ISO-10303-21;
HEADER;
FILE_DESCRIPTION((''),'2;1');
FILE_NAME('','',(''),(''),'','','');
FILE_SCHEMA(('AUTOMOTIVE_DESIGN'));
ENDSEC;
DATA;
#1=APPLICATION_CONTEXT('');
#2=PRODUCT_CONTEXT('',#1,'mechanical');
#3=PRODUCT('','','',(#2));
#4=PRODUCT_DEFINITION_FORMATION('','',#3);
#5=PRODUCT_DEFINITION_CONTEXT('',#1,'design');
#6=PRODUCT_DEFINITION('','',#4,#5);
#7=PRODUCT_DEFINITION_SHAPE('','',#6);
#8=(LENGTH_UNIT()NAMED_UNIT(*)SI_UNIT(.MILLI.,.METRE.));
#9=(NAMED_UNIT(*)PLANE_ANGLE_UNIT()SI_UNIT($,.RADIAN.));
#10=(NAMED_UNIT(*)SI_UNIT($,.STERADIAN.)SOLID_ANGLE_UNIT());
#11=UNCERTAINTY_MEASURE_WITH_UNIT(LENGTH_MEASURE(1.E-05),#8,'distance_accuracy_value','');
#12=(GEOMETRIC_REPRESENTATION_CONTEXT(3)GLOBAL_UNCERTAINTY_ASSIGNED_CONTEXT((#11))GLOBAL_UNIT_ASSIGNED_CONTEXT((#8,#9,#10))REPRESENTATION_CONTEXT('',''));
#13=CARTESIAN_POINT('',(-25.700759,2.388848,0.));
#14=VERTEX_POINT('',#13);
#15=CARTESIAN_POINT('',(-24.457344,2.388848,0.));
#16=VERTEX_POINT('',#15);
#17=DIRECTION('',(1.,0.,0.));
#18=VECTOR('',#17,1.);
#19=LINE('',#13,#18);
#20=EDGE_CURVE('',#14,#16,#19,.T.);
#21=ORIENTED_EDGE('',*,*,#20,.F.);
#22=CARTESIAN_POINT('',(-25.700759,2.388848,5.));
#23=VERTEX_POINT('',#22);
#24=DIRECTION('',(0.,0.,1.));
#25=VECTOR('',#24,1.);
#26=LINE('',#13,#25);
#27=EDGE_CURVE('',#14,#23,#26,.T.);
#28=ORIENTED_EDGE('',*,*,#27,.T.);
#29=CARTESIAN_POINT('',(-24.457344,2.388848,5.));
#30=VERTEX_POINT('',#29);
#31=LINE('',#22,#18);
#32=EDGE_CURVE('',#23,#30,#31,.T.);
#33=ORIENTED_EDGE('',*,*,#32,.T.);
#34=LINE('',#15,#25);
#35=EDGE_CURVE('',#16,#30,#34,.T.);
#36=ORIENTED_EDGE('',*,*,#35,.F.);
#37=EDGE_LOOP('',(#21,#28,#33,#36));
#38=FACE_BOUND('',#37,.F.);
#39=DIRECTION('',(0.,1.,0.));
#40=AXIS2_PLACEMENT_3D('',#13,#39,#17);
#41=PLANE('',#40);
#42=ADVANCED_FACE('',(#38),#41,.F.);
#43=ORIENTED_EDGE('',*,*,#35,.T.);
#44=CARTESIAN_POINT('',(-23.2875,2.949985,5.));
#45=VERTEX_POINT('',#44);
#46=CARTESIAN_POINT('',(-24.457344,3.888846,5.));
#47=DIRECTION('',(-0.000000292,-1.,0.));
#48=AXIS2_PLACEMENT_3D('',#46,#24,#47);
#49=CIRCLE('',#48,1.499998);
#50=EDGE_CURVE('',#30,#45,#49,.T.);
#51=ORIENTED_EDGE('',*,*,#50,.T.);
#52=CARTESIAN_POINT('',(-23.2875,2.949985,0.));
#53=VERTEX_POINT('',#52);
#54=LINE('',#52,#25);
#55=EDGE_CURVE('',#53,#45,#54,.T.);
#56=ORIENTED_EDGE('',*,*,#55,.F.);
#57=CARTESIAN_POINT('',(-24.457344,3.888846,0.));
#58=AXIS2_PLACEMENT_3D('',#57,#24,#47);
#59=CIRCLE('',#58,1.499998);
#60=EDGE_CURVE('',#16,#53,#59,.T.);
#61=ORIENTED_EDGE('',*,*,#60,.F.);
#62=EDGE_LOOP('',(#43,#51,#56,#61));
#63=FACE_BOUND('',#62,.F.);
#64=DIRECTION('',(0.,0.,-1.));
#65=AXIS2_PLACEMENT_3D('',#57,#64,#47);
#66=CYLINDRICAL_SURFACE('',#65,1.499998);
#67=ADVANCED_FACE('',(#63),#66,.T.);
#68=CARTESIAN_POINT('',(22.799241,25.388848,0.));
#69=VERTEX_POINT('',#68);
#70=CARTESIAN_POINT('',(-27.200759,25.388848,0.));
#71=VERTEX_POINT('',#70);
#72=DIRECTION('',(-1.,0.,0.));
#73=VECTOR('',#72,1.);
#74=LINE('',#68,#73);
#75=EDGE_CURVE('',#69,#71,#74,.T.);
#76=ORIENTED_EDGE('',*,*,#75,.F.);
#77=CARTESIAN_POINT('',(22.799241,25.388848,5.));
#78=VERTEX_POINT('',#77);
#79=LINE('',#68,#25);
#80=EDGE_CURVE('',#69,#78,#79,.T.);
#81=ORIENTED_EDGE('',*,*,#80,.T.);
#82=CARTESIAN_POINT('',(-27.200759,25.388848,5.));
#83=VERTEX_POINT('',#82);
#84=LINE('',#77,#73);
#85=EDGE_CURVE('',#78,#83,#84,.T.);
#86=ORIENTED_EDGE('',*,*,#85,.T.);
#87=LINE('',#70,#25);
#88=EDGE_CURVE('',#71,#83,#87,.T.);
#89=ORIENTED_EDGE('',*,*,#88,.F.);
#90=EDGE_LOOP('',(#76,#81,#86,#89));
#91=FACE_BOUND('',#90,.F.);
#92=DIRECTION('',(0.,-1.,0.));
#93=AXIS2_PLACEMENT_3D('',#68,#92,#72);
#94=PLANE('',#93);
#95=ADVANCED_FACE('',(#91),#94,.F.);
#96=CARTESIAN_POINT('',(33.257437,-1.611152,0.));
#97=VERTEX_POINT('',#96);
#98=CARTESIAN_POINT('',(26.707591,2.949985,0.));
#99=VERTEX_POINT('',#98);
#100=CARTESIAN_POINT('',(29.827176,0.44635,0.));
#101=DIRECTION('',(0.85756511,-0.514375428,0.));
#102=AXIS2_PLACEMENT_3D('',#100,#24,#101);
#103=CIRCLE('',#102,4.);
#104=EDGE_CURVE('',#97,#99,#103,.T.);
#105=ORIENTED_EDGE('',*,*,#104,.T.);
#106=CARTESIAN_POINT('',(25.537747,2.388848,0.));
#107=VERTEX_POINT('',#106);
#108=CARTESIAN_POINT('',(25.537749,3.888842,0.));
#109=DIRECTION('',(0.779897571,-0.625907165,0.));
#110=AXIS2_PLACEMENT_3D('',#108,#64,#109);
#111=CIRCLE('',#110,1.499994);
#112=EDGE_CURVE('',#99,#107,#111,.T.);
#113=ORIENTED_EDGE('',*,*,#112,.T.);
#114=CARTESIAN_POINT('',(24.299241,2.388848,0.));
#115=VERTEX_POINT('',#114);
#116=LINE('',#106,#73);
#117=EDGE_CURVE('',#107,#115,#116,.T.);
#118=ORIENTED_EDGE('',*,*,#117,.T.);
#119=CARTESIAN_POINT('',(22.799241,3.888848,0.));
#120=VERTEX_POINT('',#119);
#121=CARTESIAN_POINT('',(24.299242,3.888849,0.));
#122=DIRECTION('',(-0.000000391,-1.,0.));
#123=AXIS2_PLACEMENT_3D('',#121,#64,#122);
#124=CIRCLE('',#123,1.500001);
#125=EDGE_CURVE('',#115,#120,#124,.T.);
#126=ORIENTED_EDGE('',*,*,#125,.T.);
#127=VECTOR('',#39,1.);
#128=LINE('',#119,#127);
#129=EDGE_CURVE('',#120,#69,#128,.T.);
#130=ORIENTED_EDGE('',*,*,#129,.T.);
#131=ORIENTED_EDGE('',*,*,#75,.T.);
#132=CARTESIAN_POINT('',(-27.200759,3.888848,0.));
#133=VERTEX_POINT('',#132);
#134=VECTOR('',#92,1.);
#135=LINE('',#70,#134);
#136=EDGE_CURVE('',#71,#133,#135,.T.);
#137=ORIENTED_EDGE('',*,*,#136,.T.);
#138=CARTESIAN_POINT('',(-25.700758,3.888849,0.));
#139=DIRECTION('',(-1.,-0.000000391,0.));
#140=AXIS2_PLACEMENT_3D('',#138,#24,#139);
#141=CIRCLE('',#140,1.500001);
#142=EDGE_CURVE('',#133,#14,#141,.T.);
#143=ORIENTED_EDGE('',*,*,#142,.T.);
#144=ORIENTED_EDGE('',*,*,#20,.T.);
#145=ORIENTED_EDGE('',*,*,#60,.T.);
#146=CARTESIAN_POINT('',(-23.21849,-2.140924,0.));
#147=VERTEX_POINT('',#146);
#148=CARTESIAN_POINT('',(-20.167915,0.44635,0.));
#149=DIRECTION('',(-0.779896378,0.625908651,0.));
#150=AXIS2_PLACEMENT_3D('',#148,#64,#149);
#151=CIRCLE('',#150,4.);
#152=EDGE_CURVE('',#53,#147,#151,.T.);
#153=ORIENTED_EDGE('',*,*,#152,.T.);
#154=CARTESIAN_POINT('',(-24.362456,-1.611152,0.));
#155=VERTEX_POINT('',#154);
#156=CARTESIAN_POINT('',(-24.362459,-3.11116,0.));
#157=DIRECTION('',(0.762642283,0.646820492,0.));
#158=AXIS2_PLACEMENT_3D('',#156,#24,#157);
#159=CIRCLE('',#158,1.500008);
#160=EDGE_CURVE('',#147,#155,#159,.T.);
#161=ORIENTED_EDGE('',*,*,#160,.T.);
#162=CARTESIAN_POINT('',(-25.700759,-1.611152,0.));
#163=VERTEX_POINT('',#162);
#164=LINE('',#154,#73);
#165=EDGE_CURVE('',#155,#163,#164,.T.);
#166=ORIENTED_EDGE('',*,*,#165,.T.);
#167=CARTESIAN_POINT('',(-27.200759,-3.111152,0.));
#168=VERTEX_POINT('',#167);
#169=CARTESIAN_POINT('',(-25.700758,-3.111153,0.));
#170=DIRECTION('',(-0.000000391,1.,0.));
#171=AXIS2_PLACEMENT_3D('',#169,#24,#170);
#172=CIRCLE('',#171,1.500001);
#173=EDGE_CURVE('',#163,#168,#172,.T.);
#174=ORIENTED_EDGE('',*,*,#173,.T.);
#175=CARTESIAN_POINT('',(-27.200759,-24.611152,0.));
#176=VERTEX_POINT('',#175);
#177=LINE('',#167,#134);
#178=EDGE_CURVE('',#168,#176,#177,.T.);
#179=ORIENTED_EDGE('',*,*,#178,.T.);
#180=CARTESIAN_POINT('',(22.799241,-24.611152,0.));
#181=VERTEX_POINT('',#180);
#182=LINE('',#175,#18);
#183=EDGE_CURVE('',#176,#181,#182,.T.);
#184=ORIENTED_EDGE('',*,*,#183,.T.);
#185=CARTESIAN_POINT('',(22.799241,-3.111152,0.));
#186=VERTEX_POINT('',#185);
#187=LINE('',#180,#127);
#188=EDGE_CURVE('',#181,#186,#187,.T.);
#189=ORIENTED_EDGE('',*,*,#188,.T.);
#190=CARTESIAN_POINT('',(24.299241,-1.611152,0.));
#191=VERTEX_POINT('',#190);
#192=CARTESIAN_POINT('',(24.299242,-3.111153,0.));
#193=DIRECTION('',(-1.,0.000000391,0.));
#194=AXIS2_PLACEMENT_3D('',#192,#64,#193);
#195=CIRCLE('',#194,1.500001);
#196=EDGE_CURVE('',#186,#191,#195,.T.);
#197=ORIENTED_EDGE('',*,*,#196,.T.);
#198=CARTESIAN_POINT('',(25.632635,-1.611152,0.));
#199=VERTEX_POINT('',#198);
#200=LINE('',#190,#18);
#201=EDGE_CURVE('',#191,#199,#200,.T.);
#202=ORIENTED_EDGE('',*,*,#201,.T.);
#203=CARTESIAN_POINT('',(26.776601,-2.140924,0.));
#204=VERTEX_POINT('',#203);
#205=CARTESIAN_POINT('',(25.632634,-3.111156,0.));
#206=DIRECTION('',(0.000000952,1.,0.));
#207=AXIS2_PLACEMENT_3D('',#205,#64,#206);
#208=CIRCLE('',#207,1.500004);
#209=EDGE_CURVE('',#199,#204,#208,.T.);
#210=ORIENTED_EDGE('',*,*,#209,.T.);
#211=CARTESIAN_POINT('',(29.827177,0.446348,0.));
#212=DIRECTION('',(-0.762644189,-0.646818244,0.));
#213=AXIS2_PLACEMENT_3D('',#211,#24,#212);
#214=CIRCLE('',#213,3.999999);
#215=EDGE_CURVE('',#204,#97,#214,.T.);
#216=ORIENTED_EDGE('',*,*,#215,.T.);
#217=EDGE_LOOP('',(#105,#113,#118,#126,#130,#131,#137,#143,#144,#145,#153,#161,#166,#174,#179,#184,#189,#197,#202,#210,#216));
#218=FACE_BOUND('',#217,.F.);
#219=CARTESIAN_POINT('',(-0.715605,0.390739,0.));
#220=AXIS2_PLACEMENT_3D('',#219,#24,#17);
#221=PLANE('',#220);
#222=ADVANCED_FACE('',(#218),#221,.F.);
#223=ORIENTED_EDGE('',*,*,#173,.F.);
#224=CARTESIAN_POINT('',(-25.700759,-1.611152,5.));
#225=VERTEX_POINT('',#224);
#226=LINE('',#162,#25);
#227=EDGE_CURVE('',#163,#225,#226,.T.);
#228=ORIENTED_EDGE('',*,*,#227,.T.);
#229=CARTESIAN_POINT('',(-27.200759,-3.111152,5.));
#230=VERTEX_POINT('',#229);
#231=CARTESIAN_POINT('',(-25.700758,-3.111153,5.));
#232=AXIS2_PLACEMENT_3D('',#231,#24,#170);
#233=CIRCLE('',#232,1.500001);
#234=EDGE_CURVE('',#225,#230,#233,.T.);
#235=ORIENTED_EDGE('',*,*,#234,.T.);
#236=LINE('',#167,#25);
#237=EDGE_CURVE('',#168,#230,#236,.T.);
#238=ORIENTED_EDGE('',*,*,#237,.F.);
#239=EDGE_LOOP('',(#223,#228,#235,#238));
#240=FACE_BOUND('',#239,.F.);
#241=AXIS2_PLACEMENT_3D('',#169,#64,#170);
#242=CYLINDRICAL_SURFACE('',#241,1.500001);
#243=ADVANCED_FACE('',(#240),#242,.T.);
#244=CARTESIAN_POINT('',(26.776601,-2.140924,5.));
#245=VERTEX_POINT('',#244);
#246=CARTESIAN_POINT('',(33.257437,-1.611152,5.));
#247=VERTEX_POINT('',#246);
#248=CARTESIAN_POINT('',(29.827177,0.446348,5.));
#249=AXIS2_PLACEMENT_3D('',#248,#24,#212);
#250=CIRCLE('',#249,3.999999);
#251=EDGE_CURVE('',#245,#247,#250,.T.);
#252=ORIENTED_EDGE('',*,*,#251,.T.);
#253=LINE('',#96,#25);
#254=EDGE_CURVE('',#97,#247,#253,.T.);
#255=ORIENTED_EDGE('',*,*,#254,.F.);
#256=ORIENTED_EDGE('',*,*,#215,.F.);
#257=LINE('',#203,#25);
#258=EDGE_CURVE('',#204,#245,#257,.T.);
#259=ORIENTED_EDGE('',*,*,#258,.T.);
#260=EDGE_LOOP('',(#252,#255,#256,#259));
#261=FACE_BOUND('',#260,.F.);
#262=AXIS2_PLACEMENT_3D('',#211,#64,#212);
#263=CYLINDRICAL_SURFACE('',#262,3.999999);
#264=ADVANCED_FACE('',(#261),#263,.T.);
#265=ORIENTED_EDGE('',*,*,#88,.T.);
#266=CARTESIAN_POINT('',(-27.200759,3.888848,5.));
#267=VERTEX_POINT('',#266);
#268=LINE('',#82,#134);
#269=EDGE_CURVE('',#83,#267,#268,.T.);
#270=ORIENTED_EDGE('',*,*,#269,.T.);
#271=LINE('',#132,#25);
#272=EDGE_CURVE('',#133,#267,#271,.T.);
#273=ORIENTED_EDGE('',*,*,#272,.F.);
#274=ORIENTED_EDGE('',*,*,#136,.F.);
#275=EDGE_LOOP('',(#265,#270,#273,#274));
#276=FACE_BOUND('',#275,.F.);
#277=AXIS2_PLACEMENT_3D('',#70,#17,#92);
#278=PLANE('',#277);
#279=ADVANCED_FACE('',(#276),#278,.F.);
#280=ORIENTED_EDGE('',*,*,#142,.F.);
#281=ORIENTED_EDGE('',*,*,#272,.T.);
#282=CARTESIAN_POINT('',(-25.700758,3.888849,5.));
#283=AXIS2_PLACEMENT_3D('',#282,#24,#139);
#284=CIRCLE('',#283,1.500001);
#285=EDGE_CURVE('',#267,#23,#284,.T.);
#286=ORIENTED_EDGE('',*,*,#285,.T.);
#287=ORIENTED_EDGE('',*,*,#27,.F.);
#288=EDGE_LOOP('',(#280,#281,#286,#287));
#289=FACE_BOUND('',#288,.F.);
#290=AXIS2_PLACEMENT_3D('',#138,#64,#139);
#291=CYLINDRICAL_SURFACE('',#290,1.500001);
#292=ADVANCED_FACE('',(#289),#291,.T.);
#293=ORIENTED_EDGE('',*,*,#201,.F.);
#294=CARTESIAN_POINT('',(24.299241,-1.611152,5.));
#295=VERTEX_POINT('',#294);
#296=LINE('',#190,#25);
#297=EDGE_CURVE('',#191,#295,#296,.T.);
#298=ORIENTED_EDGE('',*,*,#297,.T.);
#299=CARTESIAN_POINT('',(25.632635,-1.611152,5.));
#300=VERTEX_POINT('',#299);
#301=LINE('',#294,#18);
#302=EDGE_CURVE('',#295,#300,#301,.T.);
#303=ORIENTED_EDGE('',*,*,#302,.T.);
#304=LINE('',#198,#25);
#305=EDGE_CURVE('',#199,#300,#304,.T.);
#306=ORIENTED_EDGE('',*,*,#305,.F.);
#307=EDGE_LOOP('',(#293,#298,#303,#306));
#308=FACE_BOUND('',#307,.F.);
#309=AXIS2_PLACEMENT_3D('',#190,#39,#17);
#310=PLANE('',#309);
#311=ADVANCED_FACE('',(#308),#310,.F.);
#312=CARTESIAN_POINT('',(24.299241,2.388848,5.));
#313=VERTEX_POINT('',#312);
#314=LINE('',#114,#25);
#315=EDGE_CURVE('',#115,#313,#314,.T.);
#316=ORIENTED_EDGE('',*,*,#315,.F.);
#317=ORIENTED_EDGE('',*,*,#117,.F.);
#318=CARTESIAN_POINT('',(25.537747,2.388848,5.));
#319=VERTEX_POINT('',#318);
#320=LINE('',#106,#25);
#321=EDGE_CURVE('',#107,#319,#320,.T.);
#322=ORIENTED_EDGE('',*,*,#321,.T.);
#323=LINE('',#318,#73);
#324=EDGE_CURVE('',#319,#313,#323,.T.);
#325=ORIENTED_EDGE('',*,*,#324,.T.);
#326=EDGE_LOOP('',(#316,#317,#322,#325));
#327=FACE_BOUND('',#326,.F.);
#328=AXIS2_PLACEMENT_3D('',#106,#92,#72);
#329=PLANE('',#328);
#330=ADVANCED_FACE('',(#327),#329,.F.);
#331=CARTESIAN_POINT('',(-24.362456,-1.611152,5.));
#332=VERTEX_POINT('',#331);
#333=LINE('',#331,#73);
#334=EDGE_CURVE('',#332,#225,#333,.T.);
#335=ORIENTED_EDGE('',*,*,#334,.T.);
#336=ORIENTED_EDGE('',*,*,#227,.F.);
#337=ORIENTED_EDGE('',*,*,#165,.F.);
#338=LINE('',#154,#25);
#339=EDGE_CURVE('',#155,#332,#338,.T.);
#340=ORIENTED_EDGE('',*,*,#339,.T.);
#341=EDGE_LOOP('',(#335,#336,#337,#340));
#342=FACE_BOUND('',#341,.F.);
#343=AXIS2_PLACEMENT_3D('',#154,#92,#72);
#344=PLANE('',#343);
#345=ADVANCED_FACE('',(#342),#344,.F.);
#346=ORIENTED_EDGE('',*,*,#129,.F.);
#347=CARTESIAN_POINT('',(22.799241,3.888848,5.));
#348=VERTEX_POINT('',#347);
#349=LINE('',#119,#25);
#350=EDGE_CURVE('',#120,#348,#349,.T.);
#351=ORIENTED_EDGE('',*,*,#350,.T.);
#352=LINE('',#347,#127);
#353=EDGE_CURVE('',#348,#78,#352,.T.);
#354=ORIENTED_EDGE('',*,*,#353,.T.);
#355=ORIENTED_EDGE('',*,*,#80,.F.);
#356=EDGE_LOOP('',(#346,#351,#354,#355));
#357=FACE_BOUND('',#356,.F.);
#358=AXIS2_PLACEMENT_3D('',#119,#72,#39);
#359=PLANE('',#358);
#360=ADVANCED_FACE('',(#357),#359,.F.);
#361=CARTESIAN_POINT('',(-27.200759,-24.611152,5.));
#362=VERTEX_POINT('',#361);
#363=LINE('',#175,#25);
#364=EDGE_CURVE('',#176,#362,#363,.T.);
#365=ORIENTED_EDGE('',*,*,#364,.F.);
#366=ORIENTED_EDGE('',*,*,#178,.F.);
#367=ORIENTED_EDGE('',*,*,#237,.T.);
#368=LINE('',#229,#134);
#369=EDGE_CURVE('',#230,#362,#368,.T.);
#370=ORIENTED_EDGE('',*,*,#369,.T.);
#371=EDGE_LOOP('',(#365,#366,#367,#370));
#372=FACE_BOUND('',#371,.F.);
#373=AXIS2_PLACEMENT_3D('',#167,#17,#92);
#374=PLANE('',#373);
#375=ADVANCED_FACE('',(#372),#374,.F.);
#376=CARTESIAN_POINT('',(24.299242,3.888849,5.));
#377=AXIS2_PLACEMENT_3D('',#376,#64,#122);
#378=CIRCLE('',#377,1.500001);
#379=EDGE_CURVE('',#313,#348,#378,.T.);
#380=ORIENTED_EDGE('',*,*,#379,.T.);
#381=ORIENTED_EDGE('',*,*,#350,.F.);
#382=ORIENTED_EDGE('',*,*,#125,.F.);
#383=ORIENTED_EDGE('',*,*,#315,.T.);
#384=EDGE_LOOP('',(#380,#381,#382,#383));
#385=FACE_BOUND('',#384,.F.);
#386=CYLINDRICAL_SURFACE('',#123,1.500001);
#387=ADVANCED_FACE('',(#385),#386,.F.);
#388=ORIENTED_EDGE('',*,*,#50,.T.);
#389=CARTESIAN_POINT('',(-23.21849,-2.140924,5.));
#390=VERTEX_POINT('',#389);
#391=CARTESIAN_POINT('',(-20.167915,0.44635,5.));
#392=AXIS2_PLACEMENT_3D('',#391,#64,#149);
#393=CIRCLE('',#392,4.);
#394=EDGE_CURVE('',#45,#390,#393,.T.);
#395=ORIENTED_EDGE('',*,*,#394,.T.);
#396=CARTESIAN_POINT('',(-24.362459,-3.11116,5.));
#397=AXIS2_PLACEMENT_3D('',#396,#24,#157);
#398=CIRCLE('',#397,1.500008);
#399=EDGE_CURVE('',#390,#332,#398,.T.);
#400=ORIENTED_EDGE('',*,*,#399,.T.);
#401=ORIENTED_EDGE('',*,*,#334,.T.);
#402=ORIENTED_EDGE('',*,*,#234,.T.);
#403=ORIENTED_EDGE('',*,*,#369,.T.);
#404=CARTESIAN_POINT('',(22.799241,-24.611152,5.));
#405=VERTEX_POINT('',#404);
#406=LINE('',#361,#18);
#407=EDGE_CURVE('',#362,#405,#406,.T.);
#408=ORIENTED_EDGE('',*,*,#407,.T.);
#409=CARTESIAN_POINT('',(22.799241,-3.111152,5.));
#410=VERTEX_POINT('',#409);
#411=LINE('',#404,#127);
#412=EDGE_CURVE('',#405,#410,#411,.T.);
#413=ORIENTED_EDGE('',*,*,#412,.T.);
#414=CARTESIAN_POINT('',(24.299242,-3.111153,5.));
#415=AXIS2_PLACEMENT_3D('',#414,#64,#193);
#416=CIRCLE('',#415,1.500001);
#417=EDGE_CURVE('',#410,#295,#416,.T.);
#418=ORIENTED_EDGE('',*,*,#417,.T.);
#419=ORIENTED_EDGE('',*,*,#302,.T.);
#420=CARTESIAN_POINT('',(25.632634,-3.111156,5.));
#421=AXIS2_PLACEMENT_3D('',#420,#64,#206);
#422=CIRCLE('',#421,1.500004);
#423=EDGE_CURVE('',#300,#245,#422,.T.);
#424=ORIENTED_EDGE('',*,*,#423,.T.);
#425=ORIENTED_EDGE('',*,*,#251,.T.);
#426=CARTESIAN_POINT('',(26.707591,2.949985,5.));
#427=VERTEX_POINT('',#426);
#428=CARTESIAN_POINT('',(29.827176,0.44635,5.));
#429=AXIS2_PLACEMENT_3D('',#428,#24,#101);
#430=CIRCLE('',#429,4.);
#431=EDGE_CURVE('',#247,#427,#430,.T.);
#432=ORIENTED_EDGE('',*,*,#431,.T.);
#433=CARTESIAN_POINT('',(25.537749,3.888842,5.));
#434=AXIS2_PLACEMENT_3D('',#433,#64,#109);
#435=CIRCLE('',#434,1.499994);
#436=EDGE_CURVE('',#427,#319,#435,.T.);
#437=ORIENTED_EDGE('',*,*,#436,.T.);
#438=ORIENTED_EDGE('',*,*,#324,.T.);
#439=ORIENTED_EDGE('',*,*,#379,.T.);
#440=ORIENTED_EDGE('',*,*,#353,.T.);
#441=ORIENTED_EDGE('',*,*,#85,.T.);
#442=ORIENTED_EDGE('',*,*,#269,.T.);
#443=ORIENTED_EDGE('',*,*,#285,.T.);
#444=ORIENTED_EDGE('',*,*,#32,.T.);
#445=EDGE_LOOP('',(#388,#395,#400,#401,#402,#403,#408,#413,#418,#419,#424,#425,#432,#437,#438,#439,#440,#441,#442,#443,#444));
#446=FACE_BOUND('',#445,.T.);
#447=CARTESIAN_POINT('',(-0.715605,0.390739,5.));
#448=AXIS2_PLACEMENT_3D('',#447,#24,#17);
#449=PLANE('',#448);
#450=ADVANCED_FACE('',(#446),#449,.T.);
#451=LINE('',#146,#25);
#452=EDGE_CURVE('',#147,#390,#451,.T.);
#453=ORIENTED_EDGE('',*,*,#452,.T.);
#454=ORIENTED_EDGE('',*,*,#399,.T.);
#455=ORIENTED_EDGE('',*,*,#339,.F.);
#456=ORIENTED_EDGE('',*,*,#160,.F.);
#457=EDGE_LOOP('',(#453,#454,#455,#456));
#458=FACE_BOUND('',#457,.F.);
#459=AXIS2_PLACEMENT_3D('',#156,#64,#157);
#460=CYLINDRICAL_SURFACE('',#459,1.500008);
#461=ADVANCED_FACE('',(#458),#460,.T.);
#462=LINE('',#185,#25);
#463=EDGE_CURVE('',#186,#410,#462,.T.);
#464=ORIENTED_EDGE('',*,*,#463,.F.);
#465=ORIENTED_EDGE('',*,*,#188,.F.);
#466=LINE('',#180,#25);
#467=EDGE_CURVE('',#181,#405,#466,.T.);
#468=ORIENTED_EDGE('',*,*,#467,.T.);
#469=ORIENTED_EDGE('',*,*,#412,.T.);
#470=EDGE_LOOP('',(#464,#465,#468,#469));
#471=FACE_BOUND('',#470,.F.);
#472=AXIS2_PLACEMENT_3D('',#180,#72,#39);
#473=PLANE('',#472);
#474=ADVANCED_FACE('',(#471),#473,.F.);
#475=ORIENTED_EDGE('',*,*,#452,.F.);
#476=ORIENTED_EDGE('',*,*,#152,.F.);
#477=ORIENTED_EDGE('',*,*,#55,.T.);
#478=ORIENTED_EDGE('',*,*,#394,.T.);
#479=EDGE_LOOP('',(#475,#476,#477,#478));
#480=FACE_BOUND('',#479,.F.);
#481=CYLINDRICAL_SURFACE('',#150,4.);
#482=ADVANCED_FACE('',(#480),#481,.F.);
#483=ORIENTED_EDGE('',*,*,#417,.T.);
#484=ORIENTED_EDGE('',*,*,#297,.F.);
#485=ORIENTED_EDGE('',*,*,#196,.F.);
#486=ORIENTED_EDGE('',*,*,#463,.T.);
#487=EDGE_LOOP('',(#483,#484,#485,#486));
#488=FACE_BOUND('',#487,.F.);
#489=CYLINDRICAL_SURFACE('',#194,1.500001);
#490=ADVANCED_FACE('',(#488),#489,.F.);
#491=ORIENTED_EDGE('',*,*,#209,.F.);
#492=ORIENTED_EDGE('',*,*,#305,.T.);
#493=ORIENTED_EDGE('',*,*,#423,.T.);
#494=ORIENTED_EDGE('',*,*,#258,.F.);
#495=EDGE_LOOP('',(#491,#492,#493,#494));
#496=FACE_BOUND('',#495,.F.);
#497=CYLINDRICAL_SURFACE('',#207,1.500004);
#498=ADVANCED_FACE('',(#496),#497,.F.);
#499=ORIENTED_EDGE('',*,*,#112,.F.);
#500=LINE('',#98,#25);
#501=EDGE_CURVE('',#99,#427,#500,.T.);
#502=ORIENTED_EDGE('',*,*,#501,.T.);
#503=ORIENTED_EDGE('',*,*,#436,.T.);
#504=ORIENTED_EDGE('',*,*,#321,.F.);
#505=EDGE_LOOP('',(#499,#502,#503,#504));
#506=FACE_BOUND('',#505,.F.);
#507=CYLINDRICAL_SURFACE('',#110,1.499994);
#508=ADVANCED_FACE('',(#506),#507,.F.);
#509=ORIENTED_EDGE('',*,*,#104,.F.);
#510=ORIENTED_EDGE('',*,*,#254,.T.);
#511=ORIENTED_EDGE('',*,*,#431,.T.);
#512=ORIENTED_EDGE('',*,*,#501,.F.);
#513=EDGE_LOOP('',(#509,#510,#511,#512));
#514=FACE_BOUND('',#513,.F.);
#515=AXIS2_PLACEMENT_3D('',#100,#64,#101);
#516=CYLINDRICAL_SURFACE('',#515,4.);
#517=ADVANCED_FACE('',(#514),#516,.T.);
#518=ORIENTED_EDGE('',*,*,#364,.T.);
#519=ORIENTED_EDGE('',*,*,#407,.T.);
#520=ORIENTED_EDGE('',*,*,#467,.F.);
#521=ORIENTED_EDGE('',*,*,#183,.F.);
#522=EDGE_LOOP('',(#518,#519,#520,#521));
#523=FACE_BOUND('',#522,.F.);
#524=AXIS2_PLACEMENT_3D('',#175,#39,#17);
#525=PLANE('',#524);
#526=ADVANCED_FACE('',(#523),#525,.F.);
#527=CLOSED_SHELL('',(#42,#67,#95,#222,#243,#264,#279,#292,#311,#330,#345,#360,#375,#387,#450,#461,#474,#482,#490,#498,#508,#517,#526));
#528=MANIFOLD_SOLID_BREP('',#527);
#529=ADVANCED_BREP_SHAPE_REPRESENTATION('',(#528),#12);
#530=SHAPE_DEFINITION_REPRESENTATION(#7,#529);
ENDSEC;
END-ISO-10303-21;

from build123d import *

# Parameters (mm, degrees)
F1_DEPTH = 5


with BuildPart() as f1:
    # F0 (on Top) → F1 (new body)
    with BuildSketch(Plane.XY):
        with BuildLine():
            Line((-27.200759, -24.611152), (22.799241, -24.611152))
            Line((22.799241, -24.611152), (22.799241, -3.111152))
            ThreePointArc((22.799241, -3.111152), (23.238581, -2.050492), (24.299241, -1.611152))
            Line((24.299241, -1.611152), (25.632635, -1.611152))
            ThreePointArc((25.632635, -1.611152), (26.262976, -1.750024), (26.776601, -2.140924))
            ThreePointArc((26.776601, -2.140924), (30.153067, -3.540353), (33.257437, -1.611152))
            ThreePointArc((33.257437, -1.611152), (32.113029, 3.728861), (26.707591, 2.949985))
            ThreePointArc((26.707591, 2.949985), (26.186479, 2.536388), (25.537747, 2.388848))
            Line((25.537747, 2.388848), (24.299241, 2.388848))
            ThreePointArc((24.299241, 2.388848), (23.238581, 2.828188), (22.799241, 3.888848))
            Line((22.799241, 3.888848), (22.799241, 25.388848))
            Line((22.799241, 25.388848), (-27.200759, 25.388848))
            Line((-27.200759, 25.388848), (-27.200759, 3.888848))
            ThreePointArc((-27.200759, 3.888848), (-26.761419, 2.828188), (-25.700759, 2.388848))
            Line((-25.700759, 2.388848), (-24.457344, 2.388848))
            ThreePointArc((-24.457344, 2.388848), (-23.808613, 2.536388), (-23.2875, 2.949985))
            ThreePointArc((-23.2875, 2.949985), (-16.168282, 0.500567), (-23.21849, -2.140924))
            ThreePointArc((-23.21849, -2.140924), (-23.732116, -1.750024), (-24.362456, -1.611152))
            Line((-24.362456, -1.611152), (-25.700759, -1.611152))
            ThreePointArc((-25.700759, -1.611152), (-26.761419, -2.050492), (-27.200759, -3.111152))
            Line((-27.200759, -3.111152), (-27.200759, -24.611152))
        make_face()
    extrude(amount=F1_DEPTH)


solid = f1.part
